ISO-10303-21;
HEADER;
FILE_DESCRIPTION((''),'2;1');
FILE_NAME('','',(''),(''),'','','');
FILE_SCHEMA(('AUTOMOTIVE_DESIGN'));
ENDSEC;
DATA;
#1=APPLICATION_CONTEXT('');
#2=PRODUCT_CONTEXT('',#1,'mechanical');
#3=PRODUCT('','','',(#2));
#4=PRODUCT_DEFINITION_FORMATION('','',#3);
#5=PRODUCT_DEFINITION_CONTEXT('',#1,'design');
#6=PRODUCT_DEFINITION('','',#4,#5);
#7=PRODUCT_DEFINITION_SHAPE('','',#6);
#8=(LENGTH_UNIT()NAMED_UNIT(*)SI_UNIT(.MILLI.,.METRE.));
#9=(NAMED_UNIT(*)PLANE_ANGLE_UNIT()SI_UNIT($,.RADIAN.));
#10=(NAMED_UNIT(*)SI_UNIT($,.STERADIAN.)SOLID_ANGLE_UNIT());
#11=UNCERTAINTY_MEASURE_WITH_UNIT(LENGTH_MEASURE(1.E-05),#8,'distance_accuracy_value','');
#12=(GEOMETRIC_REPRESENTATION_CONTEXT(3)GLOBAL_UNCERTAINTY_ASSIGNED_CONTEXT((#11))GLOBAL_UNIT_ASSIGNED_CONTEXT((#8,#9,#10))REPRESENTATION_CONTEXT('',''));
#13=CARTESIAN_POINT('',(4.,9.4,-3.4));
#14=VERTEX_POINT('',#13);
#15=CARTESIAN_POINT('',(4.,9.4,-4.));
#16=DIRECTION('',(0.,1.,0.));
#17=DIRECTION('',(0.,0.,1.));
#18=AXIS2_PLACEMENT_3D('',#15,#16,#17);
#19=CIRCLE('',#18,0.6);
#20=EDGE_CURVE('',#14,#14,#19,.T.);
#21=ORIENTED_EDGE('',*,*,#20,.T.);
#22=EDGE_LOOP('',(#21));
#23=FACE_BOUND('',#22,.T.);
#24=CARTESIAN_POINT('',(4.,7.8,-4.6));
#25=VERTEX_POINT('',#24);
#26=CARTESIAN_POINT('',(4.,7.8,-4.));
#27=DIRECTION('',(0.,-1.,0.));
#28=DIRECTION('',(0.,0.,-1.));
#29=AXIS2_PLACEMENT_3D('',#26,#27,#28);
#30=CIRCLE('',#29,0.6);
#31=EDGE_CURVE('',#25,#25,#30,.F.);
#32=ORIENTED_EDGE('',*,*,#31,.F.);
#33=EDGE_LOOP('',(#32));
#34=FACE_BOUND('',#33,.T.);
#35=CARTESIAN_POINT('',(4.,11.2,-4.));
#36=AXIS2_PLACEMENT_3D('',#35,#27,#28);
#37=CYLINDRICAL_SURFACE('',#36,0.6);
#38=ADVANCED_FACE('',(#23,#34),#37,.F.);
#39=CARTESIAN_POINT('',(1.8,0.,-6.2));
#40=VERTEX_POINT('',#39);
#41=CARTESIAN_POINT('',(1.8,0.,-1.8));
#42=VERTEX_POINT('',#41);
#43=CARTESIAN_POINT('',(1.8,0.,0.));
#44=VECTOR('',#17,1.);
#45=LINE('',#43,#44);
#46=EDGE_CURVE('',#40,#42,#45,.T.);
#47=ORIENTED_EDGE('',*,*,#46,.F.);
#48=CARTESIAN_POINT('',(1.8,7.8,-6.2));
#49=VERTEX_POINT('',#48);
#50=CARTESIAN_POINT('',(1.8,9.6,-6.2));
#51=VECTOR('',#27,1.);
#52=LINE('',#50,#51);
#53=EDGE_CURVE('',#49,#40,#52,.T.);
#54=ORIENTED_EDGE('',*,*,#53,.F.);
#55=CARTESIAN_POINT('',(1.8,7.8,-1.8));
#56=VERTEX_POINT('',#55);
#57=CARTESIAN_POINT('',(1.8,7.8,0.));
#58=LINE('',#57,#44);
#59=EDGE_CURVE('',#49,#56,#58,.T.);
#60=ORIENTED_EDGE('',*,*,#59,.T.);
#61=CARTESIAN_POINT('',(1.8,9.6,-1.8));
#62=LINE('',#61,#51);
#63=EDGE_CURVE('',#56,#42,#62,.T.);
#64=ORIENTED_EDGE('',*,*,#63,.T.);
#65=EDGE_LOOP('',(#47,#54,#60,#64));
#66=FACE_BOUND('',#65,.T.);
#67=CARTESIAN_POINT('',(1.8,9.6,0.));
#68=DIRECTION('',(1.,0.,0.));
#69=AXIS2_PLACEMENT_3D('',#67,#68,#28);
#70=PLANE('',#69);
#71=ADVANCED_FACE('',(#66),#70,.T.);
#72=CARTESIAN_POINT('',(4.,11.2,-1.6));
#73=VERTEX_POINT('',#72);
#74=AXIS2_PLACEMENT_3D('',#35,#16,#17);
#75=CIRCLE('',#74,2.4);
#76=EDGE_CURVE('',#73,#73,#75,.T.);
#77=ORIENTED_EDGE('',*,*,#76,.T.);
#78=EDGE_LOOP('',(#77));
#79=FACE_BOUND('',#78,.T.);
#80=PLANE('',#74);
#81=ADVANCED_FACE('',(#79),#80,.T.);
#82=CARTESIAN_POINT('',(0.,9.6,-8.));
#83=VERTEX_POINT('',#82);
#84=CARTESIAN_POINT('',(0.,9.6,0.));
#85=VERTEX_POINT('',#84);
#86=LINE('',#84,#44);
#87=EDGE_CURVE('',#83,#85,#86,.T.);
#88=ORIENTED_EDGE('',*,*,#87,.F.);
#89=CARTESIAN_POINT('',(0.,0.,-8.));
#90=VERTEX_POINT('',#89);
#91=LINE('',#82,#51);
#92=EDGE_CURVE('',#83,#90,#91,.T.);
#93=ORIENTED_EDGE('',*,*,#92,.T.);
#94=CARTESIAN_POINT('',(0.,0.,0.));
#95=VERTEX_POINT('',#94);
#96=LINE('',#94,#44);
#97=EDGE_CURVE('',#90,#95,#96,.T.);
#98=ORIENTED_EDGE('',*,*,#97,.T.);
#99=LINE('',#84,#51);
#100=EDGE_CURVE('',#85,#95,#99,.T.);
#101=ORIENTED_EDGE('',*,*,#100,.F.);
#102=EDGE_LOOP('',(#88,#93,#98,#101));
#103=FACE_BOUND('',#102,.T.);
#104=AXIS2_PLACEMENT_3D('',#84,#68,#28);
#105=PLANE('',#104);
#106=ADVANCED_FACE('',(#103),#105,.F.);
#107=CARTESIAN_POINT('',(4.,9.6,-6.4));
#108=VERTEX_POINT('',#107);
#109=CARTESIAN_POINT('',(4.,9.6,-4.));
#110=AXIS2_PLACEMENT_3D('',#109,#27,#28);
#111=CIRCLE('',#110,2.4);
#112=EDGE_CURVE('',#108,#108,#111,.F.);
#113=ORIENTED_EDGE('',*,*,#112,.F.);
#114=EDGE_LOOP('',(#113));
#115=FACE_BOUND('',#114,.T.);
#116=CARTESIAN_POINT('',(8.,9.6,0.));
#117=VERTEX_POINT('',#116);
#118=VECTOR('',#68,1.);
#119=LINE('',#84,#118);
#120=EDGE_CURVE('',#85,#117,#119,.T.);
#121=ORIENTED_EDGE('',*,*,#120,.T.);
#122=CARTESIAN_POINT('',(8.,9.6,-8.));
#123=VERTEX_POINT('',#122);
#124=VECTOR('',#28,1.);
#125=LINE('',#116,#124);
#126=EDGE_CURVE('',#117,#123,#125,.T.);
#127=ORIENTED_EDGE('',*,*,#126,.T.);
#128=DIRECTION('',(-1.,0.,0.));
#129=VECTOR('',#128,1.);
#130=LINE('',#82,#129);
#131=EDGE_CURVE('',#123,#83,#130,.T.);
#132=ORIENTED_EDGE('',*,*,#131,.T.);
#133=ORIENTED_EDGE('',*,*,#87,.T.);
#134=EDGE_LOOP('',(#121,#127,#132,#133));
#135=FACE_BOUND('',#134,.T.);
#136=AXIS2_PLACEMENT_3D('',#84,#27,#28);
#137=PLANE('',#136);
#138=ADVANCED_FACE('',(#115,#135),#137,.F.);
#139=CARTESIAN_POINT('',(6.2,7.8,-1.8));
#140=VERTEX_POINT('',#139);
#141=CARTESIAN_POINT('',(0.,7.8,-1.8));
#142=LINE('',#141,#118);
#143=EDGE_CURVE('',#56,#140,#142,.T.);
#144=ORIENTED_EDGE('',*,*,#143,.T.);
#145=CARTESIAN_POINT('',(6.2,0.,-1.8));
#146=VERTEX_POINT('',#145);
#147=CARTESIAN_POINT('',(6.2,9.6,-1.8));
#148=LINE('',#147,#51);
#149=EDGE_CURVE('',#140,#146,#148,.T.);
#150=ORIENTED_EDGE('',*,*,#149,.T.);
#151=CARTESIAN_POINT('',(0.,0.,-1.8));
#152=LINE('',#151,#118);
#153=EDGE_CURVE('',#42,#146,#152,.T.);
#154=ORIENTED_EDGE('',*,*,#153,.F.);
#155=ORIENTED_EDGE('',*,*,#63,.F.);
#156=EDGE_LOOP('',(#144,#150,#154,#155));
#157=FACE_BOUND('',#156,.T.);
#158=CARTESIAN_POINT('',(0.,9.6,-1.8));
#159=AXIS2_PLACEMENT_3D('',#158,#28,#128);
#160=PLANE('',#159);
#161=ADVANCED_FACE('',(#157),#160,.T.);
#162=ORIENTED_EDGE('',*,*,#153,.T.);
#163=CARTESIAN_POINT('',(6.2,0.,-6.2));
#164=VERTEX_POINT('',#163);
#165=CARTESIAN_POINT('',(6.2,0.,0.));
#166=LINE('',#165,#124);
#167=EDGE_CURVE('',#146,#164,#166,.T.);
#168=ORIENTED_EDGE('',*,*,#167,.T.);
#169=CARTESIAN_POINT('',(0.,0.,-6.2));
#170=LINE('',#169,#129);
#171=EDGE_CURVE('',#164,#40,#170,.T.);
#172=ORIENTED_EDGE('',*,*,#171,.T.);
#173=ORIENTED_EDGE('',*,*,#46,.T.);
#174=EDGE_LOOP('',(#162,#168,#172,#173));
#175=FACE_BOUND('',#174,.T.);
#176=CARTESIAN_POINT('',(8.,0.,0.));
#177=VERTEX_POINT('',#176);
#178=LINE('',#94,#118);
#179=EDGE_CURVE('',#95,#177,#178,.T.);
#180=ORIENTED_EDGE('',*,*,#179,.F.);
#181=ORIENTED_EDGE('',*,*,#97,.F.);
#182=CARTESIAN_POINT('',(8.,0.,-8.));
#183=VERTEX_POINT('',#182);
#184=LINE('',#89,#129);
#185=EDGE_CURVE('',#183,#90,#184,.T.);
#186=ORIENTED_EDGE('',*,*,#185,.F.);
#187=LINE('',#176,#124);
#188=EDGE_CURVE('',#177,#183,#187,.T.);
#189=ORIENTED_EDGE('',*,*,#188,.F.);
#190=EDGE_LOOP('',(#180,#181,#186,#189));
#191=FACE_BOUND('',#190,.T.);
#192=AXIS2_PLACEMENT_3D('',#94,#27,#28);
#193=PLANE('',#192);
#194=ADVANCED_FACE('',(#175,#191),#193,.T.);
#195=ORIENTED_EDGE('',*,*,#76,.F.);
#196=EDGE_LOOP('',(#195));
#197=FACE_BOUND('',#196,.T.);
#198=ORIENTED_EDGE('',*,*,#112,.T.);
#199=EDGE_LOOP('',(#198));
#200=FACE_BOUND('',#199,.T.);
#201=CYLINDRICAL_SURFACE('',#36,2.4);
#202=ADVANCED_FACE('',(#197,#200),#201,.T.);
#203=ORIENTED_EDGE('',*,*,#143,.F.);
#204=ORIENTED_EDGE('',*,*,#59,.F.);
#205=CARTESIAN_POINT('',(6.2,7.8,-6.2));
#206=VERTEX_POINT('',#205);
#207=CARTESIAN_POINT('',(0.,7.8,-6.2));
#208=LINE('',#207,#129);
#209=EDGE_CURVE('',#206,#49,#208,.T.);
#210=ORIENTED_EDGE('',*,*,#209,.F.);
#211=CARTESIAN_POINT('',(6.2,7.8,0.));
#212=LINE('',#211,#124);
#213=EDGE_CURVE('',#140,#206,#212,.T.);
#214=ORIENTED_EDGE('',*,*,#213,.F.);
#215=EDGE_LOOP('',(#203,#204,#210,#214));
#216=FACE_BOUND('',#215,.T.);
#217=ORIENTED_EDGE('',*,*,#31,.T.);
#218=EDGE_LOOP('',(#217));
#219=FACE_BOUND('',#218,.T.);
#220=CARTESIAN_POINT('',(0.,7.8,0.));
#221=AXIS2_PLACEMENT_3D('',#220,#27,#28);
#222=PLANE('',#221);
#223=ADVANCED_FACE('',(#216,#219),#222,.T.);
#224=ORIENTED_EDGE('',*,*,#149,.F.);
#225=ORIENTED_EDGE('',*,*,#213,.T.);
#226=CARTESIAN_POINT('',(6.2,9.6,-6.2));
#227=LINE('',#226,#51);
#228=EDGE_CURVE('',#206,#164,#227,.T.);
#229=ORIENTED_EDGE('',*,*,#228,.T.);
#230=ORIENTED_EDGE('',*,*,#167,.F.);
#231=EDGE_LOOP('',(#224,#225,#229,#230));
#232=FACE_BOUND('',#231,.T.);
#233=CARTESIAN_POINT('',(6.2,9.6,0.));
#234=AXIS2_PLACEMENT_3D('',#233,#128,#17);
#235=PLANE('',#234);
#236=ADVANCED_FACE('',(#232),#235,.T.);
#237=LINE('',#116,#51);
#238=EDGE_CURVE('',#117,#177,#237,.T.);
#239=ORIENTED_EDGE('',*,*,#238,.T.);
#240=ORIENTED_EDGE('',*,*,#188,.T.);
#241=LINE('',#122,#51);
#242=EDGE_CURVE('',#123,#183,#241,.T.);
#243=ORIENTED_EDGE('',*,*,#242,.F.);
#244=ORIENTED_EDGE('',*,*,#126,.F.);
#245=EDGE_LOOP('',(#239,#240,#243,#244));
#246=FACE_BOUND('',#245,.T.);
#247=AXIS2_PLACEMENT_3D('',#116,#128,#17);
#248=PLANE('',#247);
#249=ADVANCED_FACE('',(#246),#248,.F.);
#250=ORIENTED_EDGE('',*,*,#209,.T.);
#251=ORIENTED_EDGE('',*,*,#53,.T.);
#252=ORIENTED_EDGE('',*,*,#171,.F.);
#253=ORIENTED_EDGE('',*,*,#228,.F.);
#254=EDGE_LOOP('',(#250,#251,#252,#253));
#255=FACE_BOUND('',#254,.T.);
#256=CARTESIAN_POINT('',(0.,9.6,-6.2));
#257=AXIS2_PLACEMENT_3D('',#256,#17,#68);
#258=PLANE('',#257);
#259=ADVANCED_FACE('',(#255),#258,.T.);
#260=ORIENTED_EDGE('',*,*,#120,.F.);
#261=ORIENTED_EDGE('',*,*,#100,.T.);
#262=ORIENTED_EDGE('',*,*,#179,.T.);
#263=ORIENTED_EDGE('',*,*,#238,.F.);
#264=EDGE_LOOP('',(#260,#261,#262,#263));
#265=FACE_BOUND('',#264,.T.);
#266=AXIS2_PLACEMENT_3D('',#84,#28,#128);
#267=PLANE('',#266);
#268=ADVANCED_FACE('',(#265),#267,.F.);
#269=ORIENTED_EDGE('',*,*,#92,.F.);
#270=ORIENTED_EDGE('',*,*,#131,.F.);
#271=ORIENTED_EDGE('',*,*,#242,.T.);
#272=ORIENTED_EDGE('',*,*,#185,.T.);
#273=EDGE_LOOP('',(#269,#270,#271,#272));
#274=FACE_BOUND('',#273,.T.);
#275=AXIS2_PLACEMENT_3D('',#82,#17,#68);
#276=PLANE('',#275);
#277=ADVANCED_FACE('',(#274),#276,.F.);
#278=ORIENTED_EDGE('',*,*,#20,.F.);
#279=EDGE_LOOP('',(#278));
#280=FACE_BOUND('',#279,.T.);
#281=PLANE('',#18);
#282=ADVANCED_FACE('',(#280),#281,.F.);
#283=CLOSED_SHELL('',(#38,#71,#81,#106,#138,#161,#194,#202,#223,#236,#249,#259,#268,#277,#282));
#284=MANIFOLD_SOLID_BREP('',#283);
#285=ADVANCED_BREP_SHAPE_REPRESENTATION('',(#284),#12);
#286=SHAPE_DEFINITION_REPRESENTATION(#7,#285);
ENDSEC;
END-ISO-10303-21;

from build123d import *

# Parameters (mm, degrees)
SKETCH3_W           = 8
SKETCH3_H           = 8
BOSS_EXTRUDE1_DEPTH = 9.6
SKETCH4_R           = 2.4
BOSS_EXTRUDE2_DEPTH = 1.6
SHELL1_T            = -1.8


with BuildPart() as part:
    # Sketch3 → Boss-Extrude1 (new body)
    with BuildSketch(Plane(origin=(0, 0, 0), x_dir=(1, 0, 0), z_dir=(0, 1, 0))):
        with Locations((4, 4)):
            Rectangle(SKETCH3_W, SKETCH3_H)
    extrude(amount=BOSS_EXTRUDE1_DEPTH)

    # Sketch4 → Boss-Extrude2 (add)
    with BuildSketch(Plane(origin=(0, 9.6, 0), x_dir=(1, 0, 0), z_dir=(0, 1, 0))):
        with Locations((4, 4)):
            Circle(SKETCH4_R)
    extrude(amount=BOSS_EXTRUDE2_DEPTH)

    # Shell1
    shell1_openings = [part.faces().sort_by_distance(p)[0] for p in [
        (4, 0, -4),
    ]]
    offset(amount=SHELL1_T, openings=shell1_openings, kind=Kind.INTERSECTION)


solid = part.part
